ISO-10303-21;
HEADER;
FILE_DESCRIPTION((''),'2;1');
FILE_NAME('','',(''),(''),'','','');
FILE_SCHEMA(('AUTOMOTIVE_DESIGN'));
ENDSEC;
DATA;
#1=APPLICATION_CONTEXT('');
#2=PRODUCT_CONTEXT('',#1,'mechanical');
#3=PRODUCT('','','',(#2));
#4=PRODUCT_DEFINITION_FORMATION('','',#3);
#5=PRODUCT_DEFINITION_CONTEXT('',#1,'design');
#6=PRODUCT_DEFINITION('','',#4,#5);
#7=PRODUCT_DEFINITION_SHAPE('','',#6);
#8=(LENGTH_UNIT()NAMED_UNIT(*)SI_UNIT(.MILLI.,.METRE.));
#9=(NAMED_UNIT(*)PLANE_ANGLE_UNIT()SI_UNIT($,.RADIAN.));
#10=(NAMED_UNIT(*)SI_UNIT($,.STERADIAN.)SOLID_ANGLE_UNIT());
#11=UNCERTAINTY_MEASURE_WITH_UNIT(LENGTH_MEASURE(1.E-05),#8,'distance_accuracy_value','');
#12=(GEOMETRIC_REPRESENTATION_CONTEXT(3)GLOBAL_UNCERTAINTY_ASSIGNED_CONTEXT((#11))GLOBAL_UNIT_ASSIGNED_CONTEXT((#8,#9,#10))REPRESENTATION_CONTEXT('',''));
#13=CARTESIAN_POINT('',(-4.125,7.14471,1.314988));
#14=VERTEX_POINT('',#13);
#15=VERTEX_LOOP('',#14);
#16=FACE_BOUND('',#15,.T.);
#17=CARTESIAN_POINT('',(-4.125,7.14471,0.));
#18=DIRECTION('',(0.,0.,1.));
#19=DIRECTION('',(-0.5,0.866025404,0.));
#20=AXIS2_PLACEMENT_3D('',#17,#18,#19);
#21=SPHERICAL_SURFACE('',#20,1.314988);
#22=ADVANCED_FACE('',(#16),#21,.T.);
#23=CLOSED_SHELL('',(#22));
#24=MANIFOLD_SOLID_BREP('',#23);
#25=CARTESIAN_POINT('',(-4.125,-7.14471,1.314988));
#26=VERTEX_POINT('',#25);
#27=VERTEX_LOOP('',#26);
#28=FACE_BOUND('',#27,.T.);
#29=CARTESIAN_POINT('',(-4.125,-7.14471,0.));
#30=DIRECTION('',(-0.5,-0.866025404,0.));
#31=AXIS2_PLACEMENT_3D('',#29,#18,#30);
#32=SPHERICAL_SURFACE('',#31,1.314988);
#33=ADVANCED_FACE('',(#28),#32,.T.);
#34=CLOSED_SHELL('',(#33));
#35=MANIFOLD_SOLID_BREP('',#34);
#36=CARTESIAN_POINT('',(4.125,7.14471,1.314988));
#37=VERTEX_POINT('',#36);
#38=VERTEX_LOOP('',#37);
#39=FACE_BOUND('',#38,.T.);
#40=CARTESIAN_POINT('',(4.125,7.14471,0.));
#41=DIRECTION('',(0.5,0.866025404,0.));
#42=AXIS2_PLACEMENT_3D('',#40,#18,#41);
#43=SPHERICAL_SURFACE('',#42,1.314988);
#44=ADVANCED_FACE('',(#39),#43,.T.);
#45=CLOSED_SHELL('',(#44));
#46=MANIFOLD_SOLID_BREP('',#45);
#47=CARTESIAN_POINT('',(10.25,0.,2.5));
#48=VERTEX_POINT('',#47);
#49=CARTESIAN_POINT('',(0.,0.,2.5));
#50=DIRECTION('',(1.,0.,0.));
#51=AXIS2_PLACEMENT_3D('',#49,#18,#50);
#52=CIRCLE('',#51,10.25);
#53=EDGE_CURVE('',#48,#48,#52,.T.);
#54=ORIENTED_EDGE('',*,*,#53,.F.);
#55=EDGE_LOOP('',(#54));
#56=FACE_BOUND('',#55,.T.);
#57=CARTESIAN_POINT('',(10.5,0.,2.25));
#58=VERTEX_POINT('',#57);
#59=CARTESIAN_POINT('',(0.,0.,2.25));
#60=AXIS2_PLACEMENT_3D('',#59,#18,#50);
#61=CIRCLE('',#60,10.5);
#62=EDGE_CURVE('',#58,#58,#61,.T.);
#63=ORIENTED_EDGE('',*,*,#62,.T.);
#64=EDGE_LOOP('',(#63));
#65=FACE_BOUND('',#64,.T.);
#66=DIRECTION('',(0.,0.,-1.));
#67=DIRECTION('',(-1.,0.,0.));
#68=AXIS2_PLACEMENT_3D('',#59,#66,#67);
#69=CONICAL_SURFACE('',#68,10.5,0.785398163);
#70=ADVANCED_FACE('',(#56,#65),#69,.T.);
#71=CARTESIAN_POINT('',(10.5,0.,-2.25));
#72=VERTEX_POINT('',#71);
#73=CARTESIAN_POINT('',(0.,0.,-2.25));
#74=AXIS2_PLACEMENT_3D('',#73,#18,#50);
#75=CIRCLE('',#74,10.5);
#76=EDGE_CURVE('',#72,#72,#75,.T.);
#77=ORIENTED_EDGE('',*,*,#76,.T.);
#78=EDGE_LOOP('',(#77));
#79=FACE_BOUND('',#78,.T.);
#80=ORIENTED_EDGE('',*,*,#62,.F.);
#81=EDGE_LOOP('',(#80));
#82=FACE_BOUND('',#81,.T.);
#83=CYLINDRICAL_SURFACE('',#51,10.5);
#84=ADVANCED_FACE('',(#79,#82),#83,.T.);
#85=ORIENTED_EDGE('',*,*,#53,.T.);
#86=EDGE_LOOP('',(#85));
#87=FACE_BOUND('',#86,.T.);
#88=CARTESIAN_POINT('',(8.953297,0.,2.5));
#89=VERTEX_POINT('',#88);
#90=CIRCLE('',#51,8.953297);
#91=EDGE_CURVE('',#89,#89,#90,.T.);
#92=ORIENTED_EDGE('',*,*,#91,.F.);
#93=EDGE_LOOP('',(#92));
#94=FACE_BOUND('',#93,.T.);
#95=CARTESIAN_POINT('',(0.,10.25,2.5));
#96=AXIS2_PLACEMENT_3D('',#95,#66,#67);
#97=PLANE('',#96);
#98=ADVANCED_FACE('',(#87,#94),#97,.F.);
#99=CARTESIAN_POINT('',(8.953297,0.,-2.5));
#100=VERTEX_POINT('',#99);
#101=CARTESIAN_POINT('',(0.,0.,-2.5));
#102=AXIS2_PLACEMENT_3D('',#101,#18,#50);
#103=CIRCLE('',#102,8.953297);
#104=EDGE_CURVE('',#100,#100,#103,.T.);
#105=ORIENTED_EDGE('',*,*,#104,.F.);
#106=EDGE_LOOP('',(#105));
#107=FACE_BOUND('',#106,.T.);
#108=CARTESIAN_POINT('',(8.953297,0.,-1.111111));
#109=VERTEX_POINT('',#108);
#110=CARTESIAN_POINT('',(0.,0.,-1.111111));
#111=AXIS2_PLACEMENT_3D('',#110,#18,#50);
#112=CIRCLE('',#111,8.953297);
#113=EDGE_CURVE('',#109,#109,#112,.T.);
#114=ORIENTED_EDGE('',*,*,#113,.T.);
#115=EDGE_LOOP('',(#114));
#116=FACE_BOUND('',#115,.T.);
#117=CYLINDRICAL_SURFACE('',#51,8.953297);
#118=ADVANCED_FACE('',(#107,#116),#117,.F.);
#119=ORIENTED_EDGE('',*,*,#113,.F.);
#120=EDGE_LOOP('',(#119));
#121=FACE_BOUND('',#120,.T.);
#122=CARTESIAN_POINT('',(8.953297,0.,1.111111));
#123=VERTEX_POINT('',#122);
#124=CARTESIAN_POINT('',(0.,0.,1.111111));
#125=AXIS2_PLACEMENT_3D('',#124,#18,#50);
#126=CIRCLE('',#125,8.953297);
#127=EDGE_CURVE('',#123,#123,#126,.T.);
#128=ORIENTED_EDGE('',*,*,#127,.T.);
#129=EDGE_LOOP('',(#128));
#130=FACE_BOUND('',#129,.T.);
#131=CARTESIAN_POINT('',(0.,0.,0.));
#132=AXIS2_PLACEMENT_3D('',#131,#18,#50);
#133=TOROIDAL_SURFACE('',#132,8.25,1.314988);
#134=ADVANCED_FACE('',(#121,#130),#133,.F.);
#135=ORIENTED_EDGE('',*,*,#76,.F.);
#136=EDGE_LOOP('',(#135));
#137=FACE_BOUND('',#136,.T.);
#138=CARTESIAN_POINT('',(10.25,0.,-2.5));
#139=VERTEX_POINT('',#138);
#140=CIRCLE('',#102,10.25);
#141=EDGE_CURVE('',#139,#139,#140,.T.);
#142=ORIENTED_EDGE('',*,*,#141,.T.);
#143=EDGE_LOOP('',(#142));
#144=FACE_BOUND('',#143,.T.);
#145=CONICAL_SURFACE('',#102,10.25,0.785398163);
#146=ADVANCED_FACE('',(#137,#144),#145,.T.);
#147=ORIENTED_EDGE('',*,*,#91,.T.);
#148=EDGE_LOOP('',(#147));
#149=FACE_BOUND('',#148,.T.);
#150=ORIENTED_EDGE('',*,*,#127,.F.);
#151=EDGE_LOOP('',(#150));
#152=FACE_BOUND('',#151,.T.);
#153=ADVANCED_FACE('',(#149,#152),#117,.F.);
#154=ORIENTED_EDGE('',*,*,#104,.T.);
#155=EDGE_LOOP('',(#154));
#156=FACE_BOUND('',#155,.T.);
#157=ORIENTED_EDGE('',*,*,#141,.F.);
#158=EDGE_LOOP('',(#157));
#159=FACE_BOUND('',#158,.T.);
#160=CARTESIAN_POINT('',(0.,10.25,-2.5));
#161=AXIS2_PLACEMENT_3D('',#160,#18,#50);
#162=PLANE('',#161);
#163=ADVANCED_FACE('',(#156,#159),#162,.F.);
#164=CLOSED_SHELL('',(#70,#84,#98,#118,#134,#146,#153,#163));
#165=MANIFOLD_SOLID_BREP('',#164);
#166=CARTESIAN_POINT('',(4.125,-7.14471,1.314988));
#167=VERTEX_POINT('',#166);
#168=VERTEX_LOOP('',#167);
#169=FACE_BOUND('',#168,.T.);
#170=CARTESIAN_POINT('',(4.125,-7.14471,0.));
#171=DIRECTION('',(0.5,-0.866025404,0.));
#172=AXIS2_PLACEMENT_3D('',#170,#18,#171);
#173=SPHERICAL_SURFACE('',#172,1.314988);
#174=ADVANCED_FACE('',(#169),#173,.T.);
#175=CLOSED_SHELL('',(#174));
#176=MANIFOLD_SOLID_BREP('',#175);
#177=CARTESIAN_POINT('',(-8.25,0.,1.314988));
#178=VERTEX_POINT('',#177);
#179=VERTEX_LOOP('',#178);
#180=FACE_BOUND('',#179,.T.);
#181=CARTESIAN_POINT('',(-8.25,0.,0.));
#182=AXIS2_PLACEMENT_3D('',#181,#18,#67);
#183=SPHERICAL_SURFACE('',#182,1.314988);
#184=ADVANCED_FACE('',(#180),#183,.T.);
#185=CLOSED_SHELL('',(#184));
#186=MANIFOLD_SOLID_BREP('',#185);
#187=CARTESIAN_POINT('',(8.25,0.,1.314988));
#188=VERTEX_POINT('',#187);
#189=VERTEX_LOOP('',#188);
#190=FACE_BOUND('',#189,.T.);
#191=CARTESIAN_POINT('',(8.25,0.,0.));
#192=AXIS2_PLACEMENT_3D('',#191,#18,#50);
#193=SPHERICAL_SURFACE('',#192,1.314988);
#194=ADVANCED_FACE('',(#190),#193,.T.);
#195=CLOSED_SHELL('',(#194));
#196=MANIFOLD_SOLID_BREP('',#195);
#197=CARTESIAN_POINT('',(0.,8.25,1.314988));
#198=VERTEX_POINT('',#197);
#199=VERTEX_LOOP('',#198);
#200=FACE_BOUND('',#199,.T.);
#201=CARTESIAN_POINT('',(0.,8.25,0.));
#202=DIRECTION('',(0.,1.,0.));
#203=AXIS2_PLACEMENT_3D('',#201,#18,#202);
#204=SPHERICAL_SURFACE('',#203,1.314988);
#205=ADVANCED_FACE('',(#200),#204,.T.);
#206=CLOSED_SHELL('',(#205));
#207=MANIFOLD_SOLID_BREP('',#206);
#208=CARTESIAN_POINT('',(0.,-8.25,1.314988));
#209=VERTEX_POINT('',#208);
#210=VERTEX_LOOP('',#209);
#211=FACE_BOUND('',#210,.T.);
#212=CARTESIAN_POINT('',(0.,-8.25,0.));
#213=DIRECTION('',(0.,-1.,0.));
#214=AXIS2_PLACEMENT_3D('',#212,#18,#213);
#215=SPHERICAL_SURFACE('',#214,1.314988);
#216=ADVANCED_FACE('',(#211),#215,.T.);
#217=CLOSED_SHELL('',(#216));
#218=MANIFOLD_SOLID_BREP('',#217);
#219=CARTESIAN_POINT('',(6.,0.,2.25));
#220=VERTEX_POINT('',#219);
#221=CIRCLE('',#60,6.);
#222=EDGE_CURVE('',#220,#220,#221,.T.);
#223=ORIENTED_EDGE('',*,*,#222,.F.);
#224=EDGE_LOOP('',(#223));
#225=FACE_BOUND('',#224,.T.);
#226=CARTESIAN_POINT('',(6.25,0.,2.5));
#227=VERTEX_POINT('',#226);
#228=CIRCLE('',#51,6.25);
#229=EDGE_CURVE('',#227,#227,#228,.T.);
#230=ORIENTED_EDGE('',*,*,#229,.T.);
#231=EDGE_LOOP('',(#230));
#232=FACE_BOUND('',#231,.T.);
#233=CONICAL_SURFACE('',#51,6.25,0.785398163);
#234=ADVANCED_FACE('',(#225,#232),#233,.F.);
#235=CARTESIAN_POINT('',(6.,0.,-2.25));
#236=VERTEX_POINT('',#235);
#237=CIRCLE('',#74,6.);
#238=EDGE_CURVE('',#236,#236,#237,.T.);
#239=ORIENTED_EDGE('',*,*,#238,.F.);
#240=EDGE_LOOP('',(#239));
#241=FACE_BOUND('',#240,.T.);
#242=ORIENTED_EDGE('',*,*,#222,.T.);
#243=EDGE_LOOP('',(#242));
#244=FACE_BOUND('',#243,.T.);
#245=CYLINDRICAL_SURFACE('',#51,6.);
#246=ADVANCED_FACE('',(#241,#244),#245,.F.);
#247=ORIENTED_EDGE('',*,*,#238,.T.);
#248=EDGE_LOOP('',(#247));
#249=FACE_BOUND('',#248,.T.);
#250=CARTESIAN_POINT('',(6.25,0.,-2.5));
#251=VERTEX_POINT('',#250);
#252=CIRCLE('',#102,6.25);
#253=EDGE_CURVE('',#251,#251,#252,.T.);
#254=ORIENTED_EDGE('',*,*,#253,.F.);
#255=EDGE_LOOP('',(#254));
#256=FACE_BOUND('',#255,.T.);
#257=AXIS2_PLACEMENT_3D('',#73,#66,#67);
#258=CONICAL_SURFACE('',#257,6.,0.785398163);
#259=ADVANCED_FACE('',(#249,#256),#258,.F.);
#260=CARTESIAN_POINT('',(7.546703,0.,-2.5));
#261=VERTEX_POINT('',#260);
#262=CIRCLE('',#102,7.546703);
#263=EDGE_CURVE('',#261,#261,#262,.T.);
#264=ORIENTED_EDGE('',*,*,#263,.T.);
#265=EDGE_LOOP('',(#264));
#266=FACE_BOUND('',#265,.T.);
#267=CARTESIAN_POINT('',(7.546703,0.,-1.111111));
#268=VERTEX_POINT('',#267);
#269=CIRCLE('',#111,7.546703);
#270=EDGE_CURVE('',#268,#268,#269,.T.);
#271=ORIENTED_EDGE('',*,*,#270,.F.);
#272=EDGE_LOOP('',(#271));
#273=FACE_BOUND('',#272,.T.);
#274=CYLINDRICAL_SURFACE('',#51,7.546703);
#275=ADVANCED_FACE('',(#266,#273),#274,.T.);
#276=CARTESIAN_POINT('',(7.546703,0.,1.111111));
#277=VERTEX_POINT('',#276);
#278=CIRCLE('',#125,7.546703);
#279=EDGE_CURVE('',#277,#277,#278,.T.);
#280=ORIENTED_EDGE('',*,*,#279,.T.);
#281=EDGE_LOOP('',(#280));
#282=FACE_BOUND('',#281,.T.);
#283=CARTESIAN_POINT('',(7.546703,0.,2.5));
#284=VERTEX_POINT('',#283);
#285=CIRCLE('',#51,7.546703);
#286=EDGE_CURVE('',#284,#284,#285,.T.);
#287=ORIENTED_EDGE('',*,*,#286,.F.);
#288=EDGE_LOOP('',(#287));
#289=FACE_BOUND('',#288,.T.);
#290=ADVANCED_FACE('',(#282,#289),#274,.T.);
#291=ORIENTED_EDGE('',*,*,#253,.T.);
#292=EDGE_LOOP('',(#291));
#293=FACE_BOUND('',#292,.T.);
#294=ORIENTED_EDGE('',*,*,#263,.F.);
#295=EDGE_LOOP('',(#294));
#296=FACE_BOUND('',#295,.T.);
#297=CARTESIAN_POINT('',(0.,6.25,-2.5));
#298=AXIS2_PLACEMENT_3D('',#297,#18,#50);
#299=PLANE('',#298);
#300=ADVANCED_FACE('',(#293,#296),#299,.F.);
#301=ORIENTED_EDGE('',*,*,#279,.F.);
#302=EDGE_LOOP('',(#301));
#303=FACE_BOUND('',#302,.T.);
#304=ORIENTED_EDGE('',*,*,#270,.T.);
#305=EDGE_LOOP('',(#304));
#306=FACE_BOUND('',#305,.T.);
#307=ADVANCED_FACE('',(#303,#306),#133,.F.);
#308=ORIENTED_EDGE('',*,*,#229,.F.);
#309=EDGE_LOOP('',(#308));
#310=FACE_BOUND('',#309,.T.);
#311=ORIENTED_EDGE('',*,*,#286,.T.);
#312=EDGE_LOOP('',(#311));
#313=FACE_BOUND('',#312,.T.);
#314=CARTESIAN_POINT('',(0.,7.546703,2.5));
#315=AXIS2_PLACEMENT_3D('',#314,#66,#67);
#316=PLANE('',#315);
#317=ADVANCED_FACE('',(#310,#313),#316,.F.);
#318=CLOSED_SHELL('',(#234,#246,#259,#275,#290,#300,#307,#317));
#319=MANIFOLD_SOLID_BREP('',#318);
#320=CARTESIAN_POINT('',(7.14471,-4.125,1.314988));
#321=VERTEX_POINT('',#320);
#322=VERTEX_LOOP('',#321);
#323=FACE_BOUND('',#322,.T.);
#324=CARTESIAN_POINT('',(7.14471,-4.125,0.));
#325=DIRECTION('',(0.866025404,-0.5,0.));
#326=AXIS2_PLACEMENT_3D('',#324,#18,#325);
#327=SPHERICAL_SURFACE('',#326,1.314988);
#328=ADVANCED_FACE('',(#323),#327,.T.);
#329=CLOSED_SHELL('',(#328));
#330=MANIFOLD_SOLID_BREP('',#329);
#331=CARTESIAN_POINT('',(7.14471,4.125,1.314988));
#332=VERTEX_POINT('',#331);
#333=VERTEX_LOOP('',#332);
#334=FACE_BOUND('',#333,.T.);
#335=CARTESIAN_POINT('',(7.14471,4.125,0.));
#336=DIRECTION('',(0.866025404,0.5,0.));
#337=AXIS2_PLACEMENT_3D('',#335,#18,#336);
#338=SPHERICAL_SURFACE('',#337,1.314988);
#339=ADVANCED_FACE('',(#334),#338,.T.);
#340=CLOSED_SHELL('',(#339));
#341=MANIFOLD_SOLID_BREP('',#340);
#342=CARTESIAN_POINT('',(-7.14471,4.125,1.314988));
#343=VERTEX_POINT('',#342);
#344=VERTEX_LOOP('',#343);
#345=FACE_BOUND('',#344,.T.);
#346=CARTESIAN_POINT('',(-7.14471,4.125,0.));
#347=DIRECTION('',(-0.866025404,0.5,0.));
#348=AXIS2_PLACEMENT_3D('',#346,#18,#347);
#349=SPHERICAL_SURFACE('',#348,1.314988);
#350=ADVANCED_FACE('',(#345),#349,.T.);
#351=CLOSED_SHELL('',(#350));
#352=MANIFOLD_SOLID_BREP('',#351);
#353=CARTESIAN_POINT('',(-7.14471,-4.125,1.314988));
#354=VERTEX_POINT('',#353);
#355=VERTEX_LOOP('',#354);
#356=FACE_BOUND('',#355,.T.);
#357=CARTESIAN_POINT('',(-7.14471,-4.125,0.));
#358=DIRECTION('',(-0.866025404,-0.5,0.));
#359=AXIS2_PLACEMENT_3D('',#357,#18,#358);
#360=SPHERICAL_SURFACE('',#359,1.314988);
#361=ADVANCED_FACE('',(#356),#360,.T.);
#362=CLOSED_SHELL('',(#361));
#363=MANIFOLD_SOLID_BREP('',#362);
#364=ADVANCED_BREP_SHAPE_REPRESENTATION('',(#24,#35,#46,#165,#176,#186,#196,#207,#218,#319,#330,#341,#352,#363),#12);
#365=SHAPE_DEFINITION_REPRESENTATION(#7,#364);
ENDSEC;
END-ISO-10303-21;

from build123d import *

# Parameters (mm, degrees)
CIRPATTERN1_COUNT = 12


with BuildPart() as part:
    # Sketch1 → Revolve1 (revolve)
    with BuildSketch(Plane(origin=(0, 0, 0), x_dir=(0, 0, -1), z_dir=(1, 0, 0))):
        with BuildLine():
            Line((2.25, 10.5), (-2.25, 10.5))
            Line((-2.25, 10.5), (-2.5, 10.25))
            Line((-2.5, 10.25), (-2.5, 8.953296703))
            Line((-2.5, 8.953296703), (-1.111111111, 8.953296703))
            ThreePointArc((-1.111111111, 8.953296703), (0, 9.564988271), (1.111111111, 8.953296703))
            Line((1.111111111, 8.953296703), (2.5, 8.953296703))
            Line((2.5, 8.953296703), (2.5, 10.25))
            Line((2.5, 10.25), (2.25, 10.5))
        make_face()
    revolve(axis=Axis((0, 0, 2.5), (0, 0, -1)))


with BuildPart() as body_2:
    # Sketch3 → Revolve3 (revolve)
    with BuildSketch(Plane(origin=(0, 0, 0), x_dir=(0, 0, -1), z_dir=(1, 0, 0))):
        with BuildLine():
            Line((-2.5, 7.546703297), (-1.111111111, 7.546703297))
            ThreePointArc((-1.111111111, 7.546703297), (0, 6.935011729), (1.111111111, 7.546703297))
            Line((1.111111111, 7.546703297), (2.5, 7.546703297))
            Line((2.5, 7.546703297), (2.5, 6.25))
            Line((2.5, 6.25), (2.25, 6))
            Line((2.25, 6), (-2.25, 6))
            Line((-2.25, 6), (-2.5, 6.25))
            Line((-2.5, 6.25), (-2.5, 7.546703297))
        make_face()
    revolve(axis=Axis((0, 0, 2.5), (0, 0, -1)))


with BuildPart() as body_3:
    # Sketch4 → Revolve4 (revolve)
    with BuildSketch(Plane(origin=(0, 0, 0), x_dir=(0, 0, -1), z_dir=(1, 0, 0))):
        with BuildLine():
            Line((-1.314988271, 8.25), (1.314988271, 8.25))
            ThreePointArc((1.314988271, 8.25), (0, 9.564988271), (-1.314988271, 8.25))
        make_face()
    revolve(axis=Axis((0, 8.25, 1.314988271), (0, 0, -1)))


with BuildPart() as cirpattern1_1:
    # CirPattern1: pattern copy
    add(body_3.part.rotate(Axis((0, 0, -2.5), (0, 0, 1)), 1 * 360 / CIRPATTERN1_COUNT))


with BuildPart() as cirpattern1_2:
    # CirPattern1: pattern copy
    add(body_3.part.rotate(Axis((0, 0, -2.5), (0, 0, 1)), 2 * 360 / CIRPATTERN1_COUNT))


with BuildPart() as cirpattern1_3:
    # CirPattern1: pattern copy
    add(body_3.part.rotate(Axis((0, 0, -2.5), (0, 0, 1)), 3 * 360 / CIRPATTERN1_COUNT))


with BuildPart() as cirpattern1_4:
    # CirPattern1: pattern copy
    add(body_3.part.rotate(Axis((0, 0, -2.5), (0, 0, 1)), 4 * 360 / CIRPATTERN1_COUNT))


with BuildPart() as cirpattern1_5:
    # CirPattern1: pattern copy
    add(body_3.part.rotate(Axis((0, 0, -2.5), (0, 0, 1)), 5 * 360 / CIRPATTERN1_COUNT))


with BuildPart() as cirpattern1_6:
    # CirPattern1: pattern copy
    add(body_3.part.rotate(Axis((0, 0, -2.5), (0, 0, 1)), 6 * 360 / CIRPATTERN1_COUNT))


with BuildPart() as cirpattern1_7:
    # CirPattern1: pattern copy
    add(body_3.part.rotate(Axis((0, 0, -2.5), (0, 0, 1)), 7 * 360 / CIRPATTERN1_COUNT))


with BuildPart() as cirpattern1_8:
    # CirPattern1: pattern copy
    add(body_3.part.rotate(Axis((0, 0, -2.5), (0, 0, 1)), 8 * 360 / CIRPATTERN1_COUNT))


with BuildPart() as cirpattern1_9:
    # CirPattern1: pattern copy
    add(body_3.part.rotate(Axis((0, 0, -2.5), (0, 0, 1)), 9 * 360 / CIRPATTERN1_COUNT))


with BuildPart() as cirpattern1_10:
    # CirPattern1: pattern copy
    add(body_3.part.rotate(Axis((0, 0, -2.5), (0, 0, 1)), 10 * 360 / CIRPATTERN1_COUNT))


with BuildPart() as cirpattern1_11:
    # CirPattern1: pattern copy
    add(body_3.part.rotate(Axis((0, 0, -2.5), (0, 0, 1)), 11 * 360 / CIRPATTERN1_COUNT))


solid = Compound([part.part, body_2.part, body_3.part, cirpattern1_1.part, cirpattern1_2.part, cirpattern1_3.part, cirpattern1_4.part, cirpattern1_5.part, cirpattern1_6.part, cirpattern1_7.part, cirpattern1_8.part, cirpattern1_9.part, cirpattern1_10.part, cirpattern1_11.part])
